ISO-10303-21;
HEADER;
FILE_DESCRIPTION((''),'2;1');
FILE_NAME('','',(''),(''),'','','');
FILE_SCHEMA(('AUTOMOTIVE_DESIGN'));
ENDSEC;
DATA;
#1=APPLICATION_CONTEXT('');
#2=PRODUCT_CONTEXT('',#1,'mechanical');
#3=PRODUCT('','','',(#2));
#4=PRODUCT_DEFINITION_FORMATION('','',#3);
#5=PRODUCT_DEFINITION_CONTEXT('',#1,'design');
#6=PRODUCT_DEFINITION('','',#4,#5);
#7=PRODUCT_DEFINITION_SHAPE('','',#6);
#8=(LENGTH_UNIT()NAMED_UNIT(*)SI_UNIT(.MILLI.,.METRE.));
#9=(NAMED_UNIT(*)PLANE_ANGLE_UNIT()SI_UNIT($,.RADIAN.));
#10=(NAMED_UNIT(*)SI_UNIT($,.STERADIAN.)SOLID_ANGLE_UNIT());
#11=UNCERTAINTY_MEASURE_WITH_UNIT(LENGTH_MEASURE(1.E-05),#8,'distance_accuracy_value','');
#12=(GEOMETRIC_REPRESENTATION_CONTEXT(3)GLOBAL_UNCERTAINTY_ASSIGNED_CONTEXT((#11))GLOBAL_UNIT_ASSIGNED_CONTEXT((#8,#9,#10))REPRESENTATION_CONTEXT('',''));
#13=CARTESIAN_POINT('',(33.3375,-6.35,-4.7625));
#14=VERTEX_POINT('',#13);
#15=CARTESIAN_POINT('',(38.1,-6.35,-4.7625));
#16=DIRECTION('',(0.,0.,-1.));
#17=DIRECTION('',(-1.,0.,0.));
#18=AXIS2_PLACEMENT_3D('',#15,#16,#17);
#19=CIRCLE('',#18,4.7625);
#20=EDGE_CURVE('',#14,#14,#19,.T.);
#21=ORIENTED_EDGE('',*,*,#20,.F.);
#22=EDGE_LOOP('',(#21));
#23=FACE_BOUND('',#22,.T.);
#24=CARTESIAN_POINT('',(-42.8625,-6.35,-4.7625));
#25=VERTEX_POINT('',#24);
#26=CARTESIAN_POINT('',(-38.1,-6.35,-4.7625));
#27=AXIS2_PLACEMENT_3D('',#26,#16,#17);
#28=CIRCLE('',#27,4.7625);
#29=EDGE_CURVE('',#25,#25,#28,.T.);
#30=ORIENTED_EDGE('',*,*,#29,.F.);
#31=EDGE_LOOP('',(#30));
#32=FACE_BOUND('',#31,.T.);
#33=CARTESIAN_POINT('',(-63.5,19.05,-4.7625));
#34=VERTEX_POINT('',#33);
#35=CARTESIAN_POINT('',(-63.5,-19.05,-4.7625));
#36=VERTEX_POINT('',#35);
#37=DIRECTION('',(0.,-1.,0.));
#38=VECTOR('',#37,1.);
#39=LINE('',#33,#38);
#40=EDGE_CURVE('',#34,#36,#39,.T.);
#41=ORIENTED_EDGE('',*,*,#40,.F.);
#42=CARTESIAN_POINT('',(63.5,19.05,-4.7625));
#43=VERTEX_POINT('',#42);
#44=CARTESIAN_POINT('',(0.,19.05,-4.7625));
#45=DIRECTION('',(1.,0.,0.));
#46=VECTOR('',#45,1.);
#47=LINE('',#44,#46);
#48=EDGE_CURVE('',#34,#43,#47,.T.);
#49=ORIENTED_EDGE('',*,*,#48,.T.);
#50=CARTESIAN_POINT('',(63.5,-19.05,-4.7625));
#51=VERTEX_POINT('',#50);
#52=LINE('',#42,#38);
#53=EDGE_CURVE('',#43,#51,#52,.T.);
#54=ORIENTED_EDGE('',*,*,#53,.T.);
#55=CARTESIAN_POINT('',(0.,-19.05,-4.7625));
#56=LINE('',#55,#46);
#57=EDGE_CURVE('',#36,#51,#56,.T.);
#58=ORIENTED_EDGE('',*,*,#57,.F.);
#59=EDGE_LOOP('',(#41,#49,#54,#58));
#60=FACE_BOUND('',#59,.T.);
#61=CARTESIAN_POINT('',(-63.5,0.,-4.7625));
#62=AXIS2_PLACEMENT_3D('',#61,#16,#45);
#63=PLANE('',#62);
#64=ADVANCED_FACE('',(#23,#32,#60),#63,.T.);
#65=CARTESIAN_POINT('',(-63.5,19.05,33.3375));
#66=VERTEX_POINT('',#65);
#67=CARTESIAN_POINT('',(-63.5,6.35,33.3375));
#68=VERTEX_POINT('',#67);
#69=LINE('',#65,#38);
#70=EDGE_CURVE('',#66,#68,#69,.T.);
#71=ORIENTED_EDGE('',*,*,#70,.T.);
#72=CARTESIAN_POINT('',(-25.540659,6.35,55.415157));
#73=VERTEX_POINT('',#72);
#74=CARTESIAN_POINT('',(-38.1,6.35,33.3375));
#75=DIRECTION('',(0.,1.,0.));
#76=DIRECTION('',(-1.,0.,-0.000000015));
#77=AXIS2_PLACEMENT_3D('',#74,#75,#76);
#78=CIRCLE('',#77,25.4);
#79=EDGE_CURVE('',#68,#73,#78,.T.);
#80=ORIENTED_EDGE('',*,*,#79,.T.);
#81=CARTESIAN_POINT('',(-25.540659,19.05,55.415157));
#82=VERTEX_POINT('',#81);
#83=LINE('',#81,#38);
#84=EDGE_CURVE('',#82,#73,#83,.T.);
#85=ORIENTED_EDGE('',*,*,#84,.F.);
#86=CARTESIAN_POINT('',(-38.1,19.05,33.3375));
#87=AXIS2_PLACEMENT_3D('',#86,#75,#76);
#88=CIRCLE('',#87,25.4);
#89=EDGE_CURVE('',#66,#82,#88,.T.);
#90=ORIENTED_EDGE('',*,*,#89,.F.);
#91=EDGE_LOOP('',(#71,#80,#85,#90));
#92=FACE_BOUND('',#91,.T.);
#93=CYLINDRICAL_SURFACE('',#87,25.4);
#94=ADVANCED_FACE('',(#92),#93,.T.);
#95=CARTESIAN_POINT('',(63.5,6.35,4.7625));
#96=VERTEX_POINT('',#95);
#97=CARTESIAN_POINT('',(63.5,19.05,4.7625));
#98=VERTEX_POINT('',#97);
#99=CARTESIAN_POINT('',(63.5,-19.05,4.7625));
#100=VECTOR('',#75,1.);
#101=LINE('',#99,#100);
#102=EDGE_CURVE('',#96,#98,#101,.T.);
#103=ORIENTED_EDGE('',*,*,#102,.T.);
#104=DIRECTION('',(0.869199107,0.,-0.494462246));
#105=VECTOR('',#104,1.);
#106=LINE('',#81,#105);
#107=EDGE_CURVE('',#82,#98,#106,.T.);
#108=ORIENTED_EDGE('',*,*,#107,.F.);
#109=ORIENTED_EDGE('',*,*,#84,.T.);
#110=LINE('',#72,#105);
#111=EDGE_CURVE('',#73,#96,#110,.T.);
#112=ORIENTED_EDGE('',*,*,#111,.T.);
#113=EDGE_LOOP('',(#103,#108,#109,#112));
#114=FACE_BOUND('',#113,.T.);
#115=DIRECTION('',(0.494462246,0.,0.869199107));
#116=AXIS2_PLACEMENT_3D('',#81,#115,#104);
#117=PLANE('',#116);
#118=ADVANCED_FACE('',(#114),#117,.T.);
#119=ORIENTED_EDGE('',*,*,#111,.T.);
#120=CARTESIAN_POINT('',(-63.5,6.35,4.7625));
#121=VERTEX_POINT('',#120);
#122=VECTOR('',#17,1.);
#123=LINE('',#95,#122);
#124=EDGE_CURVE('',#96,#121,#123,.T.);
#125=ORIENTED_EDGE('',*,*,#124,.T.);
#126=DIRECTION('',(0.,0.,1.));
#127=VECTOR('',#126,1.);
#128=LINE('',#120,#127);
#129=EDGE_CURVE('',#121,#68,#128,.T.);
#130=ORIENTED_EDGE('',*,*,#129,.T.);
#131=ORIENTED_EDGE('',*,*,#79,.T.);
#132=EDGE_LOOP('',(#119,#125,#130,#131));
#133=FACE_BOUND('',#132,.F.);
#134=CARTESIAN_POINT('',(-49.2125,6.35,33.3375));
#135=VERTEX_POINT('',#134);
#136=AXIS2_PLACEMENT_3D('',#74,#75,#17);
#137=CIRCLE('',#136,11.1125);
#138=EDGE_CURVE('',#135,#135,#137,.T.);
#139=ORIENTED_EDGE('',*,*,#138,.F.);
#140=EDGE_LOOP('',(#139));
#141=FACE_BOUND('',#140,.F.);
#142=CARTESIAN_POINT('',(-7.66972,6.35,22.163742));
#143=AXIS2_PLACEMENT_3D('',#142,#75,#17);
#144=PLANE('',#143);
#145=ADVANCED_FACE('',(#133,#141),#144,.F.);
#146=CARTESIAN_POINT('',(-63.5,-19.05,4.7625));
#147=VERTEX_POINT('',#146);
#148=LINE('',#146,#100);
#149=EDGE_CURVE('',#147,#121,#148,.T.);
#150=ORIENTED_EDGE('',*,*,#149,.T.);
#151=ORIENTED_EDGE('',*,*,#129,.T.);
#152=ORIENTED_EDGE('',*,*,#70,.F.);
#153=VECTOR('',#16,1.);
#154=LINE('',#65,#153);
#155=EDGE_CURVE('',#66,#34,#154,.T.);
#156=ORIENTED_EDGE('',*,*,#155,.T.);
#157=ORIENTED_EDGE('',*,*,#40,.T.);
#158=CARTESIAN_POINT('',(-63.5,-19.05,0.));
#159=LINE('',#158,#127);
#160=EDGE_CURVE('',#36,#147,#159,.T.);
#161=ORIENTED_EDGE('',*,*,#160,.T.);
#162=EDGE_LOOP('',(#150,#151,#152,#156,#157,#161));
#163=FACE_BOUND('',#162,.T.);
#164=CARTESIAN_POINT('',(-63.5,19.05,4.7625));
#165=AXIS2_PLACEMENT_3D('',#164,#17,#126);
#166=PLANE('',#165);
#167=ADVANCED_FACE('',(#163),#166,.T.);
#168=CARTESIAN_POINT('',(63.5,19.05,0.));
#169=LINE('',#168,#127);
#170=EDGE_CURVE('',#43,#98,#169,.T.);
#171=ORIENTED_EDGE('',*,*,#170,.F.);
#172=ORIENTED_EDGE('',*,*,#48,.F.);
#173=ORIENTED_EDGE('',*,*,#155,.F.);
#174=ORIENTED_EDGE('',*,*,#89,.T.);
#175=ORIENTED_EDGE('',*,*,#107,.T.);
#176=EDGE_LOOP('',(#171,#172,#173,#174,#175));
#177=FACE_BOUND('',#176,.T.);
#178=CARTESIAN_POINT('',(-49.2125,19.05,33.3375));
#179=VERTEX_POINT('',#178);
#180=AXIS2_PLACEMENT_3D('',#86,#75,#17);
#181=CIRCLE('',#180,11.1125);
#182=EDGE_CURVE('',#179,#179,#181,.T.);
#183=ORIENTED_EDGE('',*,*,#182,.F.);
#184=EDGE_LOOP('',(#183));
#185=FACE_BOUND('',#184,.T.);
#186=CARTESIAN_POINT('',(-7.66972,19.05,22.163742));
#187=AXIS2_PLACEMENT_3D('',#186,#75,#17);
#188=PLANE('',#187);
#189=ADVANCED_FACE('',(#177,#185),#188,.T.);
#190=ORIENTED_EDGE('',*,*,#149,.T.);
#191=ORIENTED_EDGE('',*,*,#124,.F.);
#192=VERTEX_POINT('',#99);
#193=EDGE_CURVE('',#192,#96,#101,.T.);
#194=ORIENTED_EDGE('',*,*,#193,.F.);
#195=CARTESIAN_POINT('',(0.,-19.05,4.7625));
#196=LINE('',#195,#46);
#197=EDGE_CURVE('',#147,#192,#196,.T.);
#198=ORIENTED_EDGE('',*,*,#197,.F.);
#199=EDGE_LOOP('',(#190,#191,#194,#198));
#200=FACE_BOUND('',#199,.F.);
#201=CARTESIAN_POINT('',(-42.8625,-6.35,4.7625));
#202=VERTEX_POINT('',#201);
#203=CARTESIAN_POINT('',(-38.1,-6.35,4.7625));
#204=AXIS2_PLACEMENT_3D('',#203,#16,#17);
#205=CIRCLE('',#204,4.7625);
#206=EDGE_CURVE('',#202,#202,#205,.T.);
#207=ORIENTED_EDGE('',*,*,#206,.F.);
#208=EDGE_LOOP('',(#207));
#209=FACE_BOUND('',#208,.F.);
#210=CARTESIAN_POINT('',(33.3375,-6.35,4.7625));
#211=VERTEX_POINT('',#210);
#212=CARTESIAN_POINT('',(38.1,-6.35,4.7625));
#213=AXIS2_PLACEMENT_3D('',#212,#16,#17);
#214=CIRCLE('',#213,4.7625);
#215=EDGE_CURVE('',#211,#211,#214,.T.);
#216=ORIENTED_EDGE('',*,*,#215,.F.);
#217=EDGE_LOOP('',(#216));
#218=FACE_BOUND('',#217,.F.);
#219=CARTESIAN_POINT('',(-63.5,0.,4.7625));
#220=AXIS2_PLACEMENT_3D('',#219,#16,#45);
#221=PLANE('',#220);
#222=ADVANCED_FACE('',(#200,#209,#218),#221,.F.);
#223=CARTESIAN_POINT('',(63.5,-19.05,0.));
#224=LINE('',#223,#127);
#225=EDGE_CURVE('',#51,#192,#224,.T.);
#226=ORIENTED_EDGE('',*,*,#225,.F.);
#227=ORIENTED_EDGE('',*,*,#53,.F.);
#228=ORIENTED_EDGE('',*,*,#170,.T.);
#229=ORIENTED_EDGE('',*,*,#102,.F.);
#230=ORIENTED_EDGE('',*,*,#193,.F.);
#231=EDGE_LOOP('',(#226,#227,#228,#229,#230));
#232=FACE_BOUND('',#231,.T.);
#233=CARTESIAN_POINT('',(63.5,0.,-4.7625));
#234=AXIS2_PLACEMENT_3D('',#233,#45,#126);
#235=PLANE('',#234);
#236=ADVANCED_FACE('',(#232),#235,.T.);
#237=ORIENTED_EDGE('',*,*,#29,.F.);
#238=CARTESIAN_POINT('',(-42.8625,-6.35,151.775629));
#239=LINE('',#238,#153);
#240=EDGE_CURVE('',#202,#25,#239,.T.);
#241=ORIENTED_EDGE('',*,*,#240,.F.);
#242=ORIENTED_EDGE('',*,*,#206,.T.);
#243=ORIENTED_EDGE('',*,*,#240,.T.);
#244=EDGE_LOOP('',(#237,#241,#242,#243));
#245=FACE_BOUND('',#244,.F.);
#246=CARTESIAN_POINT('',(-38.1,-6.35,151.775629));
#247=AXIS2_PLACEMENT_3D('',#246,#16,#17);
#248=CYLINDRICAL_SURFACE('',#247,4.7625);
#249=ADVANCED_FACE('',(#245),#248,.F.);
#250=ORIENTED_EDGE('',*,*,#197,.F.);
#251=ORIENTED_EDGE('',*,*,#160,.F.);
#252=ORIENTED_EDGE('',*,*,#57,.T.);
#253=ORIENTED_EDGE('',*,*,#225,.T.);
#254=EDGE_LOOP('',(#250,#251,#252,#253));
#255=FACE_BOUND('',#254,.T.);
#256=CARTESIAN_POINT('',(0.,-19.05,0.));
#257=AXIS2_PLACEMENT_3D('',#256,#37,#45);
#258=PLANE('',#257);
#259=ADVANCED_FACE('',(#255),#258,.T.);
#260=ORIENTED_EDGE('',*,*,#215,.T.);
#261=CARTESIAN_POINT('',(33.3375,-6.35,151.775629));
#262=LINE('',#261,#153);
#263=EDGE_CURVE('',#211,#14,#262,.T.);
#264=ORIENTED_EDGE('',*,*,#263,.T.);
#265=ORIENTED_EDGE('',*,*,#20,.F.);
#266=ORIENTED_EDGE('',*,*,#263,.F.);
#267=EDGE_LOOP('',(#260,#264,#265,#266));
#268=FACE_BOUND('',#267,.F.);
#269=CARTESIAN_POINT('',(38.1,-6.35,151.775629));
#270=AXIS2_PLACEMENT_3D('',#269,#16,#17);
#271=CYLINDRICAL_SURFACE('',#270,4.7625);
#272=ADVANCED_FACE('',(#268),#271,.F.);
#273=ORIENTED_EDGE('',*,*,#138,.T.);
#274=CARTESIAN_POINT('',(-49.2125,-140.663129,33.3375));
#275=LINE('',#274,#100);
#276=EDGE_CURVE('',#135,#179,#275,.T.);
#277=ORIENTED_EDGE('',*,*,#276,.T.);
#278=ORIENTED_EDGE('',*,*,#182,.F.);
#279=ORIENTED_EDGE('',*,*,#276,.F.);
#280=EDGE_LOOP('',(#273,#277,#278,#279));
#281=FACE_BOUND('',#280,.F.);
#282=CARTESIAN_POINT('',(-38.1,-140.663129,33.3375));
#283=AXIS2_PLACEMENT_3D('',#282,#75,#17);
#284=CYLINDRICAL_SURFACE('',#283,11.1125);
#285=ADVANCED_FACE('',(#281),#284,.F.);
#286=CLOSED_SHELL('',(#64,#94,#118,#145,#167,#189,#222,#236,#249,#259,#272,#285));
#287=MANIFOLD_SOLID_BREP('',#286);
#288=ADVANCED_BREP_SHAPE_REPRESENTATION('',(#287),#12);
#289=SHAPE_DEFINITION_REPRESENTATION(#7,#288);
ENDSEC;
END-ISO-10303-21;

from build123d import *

# Parameters (mm, degrees)
F0_W     = 127
F0_H     = 9.525
F1_DEPTH = 19.05
F3_DEPTH = 12.7
F5_D     = 22.225
F7_D     = 9.525


with BuildPart() as f1:
    # F0 (on Front) → F1 (new body, symmetric)
    with BuildSketch(Plane.XZ):
        Rectangle(F0_W, F0_H)
    extrude(amount=F1_DEPTH, both=True)

    # F2 (on face) → F3 (join)
    with BuildSketch(Plane(origin=(0, 19.05, 0), x_dir=(-1, 0, 0), z_dir=(0, 1, 0))):
        with BuildLine():
            Line((38.1, 4.7625), (63.5, 4.7625))
            Line((63.5, 4.7625), (63.5, 33.3375))
            ThreePointArc((63.5, 33.3375), (50.870136, 55.293903), (25.540659, 55.415157))
            Line((25.540659, 55.415157), (-63.5, 4.7625))
            Line((-63.5, 4.7625), (38.1, 4.7625))
        make_face()
    extrude(amount=-F3_DEPTH)

    # F5 (through all)
    with Locations(Plane.XZ.offset(-6.35)):
        with Locations((-38.1, 33.3375)):
            Hole(F5_D / 2)

    # F7 (through all)
    with Locations(Plane.XY.offset(4.7625)):
        with Locations((-38.1, -6.35), (38.1, -6.35)):
            Hole(F7_D / 2)


solid = f1.part
